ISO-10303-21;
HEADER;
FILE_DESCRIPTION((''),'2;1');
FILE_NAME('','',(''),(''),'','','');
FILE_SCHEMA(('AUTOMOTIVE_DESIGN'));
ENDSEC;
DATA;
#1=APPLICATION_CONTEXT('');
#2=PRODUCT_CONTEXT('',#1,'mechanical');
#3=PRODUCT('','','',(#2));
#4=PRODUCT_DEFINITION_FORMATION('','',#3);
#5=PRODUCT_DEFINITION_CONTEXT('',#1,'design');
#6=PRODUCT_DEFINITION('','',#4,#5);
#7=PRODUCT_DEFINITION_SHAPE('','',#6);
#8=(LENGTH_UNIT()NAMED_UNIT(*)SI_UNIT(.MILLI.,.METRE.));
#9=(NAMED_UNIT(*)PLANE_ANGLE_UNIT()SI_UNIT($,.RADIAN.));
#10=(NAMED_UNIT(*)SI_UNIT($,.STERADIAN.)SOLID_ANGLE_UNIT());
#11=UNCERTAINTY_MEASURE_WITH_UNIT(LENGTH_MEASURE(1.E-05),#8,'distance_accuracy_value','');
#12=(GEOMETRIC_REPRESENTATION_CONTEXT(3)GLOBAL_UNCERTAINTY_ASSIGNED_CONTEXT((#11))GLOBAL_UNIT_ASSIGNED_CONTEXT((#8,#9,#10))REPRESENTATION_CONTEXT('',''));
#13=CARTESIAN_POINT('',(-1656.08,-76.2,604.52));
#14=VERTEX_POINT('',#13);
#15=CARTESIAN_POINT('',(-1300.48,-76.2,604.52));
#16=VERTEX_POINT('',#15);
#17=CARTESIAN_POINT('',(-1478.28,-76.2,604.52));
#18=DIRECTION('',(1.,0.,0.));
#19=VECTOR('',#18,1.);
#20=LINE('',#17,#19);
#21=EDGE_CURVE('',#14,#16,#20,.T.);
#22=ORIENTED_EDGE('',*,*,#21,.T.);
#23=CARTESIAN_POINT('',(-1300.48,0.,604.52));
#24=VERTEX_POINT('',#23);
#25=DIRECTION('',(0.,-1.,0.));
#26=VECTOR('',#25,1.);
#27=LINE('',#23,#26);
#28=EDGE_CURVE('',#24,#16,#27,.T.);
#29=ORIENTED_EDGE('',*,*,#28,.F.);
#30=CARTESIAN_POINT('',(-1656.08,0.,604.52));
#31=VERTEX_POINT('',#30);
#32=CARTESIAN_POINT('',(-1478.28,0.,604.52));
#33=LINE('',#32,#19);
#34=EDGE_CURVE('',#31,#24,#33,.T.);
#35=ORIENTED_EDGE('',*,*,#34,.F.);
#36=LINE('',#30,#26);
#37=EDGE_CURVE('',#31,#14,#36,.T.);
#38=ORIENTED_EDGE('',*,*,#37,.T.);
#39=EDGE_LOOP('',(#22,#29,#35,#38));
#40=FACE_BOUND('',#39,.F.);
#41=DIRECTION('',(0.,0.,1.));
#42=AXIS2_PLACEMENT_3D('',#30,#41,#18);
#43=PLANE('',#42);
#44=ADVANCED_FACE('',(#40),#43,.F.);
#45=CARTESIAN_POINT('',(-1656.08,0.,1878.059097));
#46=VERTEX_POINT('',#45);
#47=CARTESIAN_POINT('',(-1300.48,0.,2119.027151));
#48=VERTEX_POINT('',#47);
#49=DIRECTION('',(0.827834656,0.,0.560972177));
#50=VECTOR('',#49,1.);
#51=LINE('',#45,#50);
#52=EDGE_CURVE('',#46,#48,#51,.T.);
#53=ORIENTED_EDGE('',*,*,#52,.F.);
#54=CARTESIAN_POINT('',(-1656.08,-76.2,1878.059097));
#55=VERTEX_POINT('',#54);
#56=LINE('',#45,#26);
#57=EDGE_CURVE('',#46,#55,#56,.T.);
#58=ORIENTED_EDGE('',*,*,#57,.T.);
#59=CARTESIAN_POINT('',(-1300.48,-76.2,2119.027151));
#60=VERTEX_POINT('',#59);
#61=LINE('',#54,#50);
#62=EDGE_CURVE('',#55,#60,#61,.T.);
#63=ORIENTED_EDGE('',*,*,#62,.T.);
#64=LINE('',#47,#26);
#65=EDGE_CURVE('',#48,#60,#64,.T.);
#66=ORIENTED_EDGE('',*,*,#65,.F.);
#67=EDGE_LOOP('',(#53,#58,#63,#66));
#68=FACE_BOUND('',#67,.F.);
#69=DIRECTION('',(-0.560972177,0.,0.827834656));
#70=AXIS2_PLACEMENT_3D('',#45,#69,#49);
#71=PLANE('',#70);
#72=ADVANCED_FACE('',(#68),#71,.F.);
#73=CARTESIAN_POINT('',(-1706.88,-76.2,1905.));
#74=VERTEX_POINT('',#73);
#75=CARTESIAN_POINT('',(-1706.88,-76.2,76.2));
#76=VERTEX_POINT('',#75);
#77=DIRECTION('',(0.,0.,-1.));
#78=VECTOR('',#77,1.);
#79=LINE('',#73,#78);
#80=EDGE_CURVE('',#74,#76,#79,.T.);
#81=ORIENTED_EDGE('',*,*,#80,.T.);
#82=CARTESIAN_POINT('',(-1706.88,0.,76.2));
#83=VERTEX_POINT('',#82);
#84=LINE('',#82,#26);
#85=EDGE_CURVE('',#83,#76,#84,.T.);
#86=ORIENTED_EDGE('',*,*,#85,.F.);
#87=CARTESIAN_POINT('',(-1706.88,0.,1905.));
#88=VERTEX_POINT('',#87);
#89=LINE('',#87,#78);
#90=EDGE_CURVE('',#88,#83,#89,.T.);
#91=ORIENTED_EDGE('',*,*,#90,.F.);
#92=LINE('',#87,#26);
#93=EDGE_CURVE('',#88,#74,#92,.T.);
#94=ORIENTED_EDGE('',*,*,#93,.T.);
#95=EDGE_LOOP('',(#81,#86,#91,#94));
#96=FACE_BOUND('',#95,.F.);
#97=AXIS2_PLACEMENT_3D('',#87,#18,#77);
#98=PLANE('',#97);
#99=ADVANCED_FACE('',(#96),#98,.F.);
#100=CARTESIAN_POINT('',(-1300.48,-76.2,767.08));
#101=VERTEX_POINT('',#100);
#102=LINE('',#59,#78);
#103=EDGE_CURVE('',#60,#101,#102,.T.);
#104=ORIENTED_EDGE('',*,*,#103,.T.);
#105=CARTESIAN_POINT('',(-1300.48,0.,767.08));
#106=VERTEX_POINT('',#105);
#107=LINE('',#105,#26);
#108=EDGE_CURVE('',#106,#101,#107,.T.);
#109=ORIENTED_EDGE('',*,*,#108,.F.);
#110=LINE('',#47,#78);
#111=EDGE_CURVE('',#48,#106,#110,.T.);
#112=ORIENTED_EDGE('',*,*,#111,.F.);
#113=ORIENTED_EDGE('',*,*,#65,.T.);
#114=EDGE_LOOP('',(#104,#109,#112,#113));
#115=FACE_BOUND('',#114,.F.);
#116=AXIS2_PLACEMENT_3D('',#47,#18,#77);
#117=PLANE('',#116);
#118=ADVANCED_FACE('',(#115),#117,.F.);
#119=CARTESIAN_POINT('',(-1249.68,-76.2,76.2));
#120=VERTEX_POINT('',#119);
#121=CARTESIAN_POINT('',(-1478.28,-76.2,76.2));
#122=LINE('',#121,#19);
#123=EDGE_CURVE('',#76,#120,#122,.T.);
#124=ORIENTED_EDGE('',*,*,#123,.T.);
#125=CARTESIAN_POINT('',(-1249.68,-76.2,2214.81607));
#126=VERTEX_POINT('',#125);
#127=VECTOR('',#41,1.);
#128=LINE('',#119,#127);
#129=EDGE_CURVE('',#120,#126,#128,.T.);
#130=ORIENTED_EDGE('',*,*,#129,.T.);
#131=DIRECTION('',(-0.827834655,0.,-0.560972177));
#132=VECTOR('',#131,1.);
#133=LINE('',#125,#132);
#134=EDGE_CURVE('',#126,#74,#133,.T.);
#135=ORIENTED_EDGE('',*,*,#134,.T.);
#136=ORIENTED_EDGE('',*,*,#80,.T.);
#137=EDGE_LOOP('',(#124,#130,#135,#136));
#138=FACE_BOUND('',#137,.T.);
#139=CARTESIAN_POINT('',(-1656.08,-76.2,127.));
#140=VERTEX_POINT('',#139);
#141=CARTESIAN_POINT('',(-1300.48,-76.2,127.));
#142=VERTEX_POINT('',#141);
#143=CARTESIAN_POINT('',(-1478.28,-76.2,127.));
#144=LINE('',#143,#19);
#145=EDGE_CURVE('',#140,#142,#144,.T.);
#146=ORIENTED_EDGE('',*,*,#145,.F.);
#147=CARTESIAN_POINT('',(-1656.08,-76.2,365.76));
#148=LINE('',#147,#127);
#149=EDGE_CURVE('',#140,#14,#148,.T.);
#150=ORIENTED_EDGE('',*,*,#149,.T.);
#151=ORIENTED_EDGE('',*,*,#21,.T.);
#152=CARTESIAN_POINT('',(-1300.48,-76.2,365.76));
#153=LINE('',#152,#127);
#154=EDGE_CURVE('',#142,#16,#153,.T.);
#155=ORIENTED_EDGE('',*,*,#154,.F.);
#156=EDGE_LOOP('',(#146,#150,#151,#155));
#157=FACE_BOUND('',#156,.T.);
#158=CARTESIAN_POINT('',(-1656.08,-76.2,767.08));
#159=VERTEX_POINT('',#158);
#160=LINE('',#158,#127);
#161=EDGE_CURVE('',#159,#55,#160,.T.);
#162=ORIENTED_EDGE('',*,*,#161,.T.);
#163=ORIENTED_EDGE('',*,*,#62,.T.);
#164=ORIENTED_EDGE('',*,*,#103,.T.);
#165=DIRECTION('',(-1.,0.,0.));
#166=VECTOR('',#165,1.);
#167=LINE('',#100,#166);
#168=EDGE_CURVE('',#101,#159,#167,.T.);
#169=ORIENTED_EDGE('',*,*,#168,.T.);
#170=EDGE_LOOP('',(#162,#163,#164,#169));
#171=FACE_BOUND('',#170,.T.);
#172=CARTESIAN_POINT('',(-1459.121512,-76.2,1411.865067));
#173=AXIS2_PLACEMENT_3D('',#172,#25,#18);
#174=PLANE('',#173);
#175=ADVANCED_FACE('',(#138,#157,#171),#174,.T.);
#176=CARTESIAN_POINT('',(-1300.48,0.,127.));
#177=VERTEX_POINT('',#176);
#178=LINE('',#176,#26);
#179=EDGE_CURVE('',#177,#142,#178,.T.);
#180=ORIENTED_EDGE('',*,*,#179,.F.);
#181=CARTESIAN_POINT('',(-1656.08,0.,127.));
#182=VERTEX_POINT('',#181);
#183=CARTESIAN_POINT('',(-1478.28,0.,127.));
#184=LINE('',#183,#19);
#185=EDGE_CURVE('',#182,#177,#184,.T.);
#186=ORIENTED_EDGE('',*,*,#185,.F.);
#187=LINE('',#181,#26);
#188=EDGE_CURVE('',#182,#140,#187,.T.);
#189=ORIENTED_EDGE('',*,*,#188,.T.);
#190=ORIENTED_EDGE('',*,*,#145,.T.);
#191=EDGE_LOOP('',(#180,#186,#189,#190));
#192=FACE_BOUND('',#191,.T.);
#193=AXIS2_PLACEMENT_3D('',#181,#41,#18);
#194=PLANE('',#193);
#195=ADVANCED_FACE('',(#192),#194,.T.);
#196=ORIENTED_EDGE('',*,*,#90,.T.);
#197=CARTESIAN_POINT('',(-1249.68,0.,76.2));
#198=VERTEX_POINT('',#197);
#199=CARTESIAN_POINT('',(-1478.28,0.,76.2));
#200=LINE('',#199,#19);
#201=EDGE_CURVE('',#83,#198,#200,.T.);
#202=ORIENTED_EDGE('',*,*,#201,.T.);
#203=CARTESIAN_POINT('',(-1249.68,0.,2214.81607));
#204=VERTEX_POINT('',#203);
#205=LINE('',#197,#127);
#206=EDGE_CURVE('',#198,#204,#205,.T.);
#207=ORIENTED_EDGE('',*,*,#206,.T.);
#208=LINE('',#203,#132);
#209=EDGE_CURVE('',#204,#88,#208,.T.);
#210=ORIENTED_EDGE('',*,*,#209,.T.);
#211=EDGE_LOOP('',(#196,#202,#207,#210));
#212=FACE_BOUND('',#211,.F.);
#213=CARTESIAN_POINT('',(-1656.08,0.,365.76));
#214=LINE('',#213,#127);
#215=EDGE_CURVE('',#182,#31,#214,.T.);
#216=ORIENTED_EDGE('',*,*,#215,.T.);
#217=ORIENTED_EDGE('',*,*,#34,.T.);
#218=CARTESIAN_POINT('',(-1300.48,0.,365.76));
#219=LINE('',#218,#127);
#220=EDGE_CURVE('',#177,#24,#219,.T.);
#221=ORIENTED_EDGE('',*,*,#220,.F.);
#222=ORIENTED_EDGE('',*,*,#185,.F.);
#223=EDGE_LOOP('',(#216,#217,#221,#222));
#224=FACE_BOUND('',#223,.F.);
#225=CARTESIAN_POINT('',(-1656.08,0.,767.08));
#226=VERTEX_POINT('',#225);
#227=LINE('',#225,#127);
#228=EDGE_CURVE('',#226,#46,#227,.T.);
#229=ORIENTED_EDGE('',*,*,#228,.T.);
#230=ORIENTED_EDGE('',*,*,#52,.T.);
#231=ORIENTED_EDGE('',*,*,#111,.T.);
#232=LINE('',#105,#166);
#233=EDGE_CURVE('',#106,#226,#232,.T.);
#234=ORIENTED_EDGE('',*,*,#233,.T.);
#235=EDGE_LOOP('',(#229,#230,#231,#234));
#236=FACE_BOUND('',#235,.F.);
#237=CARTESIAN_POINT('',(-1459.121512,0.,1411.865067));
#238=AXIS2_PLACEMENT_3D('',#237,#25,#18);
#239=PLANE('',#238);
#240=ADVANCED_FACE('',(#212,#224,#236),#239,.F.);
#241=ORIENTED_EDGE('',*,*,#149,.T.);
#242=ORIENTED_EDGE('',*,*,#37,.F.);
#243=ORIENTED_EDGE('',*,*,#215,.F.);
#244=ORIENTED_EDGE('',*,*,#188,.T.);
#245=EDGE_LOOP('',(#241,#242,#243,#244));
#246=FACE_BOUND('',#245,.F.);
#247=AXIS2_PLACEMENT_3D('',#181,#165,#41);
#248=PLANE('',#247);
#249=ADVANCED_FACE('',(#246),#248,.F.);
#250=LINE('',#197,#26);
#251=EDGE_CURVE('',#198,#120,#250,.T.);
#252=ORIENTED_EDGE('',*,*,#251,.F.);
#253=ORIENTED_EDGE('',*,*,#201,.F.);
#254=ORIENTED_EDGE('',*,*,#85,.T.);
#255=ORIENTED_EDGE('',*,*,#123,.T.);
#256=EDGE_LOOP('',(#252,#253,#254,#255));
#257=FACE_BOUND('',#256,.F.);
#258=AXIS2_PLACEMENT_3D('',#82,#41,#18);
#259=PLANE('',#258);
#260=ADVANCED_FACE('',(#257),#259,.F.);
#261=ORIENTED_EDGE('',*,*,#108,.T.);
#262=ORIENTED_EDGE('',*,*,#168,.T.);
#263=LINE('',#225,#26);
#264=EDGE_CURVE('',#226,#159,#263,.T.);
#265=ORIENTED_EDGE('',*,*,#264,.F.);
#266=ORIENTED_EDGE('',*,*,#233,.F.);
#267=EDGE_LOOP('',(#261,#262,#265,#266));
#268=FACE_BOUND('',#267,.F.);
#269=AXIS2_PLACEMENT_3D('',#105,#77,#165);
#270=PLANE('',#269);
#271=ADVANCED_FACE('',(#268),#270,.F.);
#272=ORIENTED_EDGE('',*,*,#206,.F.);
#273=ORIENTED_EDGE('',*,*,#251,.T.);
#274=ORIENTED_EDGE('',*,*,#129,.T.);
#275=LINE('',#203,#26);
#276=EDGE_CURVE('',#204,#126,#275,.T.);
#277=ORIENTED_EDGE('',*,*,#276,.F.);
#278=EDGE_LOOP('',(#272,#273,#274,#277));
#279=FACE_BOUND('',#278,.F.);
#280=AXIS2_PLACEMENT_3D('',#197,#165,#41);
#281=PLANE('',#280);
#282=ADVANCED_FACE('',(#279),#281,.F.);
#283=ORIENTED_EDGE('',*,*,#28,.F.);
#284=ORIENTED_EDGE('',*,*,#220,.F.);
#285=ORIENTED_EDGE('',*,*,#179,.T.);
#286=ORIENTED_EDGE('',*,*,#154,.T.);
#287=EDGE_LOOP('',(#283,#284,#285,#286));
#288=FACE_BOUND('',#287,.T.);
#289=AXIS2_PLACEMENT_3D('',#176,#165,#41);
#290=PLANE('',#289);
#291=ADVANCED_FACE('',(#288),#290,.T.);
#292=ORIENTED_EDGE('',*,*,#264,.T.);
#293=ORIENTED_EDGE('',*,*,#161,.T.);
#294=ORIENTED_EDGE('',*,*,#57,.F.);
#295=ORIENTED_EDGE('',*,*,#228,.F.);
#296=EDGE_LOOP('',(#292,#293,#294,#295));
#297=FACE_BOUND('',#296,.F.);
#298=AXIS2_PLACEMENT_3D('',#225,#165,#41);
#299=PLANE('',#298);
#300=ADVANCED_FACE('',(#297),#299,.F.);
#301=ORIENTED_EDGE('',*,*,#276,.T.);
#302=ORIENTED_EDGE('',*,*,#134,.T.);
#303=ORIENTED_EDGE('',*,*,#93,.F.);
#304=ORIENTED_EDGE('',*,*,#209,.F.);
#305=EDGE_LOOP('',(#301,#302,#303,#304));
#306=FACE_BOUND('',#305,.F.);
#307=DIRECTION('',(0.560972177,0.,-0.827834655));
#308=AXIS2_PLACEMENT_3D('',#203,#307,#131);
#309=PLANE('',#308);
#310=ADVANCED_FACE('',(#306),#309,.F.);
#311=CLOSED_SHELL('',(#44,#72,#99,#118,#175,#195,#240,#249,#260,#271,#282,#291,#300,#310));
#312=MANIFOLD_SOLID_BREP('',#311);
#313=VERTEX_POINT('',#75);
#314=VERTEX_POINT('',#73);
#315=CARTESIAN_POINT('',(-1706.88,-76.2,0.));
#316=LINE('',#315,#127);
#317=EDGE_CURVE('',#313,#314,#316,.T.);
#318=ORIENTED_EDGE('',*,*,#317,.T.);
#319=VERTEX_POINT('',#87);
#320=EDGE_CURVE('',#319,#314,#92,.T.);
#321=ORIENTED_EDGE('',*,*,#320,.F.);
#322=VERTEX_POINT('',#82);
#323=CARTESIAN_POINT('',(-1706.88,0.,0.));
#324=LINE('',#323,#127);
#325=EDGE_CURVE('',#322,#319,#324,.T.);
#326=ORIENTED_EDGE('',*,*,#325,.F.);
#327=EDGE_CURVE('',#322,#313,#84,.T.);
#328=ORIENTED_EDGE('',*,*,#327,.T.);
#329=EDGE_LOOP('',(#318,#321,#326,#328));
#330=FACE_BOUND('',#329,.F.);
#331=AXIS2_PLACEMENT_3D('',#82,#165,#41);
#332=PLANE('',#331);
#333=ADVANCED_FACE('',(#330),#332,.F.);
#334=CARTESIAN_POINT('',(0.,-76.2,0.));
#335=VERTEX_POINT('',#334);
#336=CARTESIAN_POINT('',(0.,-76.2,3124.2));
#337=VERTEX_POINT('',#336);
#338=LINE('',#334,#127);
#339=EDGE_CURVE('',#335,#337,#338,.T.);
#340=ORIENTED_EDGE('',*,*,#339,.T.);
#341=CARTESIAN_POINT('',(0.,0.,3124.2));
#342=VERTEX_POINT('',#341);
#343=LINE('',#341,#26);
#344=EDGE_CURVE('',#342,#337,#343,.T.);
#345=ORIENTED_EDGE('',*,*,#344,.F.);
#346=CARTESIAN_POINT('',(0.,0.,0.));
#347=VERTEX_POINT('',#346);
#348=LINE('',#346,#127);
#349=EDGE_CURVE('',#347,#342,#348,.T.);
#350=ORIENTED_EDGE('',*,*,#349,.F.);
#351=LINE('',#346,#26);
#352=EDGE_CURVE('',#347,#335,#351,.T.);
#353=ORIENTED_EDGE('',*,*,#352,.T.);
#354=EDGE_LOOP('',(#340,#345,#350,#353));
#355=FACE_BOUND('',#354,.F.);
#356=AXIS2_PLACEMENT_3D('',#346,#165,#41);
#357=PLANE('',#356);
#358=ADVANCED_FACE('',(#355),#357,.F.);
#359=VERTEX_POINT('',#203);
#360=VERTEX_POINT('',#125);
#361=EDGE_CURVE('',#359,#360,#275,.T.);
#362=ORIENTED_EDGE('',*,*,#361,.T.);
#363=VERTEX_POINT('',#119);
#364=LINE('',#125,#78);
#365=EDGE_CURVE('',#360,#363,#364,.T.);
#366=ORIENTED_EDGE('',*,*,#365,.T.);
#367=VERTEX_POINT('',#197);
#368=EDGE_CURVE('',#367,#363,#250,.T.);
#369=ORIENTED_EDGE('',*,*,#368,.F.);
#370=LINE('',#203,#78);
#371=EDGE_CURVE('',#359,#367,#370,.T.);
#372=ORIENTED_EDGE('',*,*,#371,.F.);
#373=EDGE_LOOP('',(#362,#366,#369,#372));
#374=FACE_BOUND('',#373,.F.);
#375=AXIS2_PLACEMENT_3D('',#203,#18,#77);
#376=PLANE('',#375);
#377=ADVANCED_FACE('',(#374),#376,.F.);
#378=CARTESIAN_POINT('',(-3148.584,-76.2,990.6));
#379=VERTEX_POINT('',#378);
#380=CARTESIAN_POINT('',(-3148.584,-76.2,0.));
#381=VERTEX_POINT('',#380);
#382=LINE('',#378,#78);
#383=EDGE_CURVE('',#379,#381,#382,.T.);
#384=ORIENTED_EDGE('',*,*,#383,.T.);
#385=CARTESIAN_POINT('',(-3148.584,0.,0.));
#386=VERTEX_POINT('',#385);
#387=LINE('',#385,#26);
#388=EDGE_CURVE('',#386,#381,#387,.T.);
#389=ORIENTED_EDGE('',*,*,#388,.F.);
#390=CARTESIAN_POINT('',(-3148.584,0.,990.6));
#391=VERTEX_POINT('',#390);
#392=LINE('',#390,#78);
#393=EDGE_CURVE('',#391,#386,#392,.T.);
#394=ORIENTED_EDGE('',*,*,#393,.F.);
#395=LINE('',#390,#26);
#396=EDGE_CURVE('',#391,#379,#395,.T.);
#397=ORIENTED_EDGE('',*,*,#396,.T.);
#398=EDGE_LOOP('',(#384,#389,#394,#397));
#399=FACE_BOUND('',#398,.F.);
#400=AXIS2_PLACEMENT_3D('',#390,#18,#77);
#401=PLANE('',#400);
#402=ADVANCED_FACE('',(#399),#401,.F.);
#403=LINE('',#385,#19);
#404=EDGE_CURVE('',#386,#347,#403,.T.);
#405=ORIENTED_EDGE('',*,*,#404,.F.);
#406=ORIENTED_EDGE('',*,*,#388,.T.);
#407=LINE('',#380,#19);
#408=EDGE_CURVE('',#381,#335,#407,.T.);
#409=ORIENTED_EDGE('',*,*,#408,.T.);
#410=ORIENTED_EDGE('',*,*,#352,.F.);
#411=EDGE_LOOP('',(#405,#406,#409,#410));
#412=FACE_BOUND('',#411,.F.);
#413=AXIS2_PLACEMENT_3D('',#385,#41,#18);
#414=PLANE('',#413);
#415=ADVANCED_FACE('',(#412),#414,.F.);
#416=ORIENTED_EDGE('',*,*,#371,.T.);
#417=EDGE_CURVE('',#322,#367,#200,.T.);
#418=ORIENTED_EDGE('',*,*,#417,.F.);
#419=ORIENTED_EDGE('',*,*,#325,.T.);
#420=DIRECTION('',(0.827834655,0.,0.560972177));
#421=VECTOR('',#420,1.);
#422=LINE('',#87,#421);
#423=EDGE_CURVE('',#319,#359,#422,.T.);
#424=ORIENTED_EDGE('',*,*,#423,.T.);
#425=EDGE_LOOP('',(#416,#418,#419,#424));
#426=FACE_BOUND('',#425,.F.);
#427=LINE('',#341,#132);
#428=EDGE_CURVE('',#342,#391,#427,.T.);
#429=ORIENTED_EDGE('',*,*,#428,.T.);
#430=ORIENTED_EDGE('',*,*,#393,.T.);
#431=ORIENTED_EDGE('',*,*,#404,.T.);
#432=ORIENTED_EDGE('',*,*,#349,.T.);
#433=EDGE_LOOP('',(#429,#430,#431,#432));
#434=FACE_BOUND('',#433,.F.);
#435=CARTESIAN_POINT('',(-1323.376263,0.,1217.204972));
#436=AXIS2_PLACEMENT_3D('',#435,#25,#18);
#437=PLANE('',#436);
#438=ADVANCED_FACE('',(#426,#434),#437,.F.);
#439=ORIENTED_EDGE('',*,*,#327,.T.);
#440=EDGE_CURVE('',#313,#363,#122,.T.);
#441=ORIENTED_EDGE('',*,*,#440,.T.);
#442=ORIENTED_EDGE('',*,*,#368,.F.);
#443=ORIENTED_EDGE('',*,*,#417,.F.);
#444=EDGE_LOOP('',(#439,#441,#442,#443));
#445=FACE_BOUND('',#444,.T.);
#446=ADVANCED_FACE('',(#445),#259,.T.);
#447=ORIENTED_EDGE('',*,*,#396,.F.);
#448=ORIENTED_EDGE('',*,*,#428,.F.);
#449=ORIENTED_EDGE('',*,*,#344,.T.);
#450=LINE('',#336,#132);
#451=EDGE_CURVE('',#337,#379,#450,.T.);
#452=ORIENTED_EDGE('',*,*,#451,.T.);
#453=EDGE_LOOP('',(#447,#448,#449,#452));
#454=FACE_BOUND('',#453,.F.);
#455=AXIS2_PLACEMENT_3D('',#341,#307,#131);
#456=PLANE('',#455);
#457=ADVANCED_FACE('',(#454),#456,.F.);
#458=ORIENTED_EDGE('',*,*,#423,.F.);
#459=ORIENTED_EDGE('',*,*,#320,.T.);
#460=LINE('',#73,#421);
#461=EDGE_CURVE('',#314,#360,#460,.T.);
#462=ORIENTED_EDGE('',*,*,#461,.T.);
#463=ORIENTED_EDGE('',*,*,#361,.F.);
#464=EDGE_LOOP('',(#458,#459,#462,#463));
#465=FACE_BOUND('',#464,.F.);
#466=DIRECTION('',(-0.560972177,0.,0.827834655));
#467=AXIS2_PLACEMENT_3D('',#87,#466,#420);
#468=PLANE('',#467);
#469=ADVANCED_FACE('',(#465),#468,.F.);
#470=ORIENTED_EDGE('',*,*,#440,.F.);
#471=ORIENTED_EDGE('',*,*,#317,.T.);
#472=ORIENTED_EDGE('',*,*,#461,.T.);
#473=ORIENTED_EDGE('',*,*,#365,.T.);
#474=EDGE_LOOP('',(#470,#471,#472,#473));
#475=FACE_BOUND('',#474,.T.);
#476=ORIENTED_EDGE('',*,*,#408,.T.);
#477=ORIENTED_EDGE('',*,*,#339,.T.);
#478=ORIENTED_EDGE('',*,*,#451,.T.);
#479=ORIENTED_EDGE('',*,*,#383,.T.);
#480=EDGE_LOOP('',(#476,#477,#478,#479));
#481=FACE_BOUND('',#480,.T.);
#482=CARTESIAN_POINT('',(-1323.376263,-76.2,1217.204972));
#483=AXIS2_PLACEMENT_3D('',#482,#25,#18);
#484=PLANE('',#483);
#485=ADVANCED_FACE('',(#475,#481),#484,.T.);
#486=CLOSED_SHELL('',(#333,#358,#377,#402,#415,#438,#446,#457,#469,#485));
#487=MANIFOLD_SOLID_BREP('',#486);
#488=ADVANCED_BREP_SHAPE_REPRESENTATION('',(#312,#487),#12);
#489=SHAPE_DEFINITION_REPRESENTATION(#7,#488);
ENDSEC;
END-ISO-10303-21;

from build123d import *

# Parameters (mm, degrees)
F0_W     = 457.2
F0_H     = 76.2
F1_DEPTH = 76.2
F0_H_2   = 579.12
F0_W_2   = 355.6
F0_H_3   = 477.52
F0_H_4   = 60.96
F3_DEPTH = 76.2


with BuildPart() as f1:
    # F0 (on Front) → F1 (new body)
    with BuildSketch(Plane.XZ):
        Polygon((-1249.68, 0), (0, 0), (0, 3124.2), (-3148.584, 990.6), (-3148.584, 0), (-1706.88, 0), (-1706.88, 76.2), (-1706.88, 655.32), (-1706.88, 716.28), (-1706.88, 1905), (-1249.68, 2214.81607), (-1249.68, 716.28), (-1249.68, 655.32), (-1249.68, 76.2), align=None)
        with Locations((-1478.28, 38.1)):
            Rectangle(F0_W, F0_H)
    extrude(amount=F1_DEPTH)


with BuildPart() as f3:
    # F0 (on Front) → F3 (new body)
    with BuildSketch(Plane.XZ):
        Polygon((-1706.88, 716.28), (-1249.68, 716.28), (-1249.68, 2214.81607), (-1706.88, 1905), align=None)
        Polygon((-1300.48, 767.08), (-1656.08, 767.08), (-1656.08, 1878.059097), (-1300.48, 2119.027151), align=None, mode=Mode.SUBTRACT)
        with Locations((-1478.28, 365.76)):
            Rectangle(F0_W, F0_H_2)
        with Locations((-1478.28, 365.76)):
            Rectangle(F0_W_2, F0_H_3, mode=Mode.SUBTRACT)
        with Locations((-1478.28, 685.8)):
            Rectangle(F0_W, F0_H_4)
    extrude(amount=F3_DEPTH)


solid = Compound([f1.part, f3.part])
